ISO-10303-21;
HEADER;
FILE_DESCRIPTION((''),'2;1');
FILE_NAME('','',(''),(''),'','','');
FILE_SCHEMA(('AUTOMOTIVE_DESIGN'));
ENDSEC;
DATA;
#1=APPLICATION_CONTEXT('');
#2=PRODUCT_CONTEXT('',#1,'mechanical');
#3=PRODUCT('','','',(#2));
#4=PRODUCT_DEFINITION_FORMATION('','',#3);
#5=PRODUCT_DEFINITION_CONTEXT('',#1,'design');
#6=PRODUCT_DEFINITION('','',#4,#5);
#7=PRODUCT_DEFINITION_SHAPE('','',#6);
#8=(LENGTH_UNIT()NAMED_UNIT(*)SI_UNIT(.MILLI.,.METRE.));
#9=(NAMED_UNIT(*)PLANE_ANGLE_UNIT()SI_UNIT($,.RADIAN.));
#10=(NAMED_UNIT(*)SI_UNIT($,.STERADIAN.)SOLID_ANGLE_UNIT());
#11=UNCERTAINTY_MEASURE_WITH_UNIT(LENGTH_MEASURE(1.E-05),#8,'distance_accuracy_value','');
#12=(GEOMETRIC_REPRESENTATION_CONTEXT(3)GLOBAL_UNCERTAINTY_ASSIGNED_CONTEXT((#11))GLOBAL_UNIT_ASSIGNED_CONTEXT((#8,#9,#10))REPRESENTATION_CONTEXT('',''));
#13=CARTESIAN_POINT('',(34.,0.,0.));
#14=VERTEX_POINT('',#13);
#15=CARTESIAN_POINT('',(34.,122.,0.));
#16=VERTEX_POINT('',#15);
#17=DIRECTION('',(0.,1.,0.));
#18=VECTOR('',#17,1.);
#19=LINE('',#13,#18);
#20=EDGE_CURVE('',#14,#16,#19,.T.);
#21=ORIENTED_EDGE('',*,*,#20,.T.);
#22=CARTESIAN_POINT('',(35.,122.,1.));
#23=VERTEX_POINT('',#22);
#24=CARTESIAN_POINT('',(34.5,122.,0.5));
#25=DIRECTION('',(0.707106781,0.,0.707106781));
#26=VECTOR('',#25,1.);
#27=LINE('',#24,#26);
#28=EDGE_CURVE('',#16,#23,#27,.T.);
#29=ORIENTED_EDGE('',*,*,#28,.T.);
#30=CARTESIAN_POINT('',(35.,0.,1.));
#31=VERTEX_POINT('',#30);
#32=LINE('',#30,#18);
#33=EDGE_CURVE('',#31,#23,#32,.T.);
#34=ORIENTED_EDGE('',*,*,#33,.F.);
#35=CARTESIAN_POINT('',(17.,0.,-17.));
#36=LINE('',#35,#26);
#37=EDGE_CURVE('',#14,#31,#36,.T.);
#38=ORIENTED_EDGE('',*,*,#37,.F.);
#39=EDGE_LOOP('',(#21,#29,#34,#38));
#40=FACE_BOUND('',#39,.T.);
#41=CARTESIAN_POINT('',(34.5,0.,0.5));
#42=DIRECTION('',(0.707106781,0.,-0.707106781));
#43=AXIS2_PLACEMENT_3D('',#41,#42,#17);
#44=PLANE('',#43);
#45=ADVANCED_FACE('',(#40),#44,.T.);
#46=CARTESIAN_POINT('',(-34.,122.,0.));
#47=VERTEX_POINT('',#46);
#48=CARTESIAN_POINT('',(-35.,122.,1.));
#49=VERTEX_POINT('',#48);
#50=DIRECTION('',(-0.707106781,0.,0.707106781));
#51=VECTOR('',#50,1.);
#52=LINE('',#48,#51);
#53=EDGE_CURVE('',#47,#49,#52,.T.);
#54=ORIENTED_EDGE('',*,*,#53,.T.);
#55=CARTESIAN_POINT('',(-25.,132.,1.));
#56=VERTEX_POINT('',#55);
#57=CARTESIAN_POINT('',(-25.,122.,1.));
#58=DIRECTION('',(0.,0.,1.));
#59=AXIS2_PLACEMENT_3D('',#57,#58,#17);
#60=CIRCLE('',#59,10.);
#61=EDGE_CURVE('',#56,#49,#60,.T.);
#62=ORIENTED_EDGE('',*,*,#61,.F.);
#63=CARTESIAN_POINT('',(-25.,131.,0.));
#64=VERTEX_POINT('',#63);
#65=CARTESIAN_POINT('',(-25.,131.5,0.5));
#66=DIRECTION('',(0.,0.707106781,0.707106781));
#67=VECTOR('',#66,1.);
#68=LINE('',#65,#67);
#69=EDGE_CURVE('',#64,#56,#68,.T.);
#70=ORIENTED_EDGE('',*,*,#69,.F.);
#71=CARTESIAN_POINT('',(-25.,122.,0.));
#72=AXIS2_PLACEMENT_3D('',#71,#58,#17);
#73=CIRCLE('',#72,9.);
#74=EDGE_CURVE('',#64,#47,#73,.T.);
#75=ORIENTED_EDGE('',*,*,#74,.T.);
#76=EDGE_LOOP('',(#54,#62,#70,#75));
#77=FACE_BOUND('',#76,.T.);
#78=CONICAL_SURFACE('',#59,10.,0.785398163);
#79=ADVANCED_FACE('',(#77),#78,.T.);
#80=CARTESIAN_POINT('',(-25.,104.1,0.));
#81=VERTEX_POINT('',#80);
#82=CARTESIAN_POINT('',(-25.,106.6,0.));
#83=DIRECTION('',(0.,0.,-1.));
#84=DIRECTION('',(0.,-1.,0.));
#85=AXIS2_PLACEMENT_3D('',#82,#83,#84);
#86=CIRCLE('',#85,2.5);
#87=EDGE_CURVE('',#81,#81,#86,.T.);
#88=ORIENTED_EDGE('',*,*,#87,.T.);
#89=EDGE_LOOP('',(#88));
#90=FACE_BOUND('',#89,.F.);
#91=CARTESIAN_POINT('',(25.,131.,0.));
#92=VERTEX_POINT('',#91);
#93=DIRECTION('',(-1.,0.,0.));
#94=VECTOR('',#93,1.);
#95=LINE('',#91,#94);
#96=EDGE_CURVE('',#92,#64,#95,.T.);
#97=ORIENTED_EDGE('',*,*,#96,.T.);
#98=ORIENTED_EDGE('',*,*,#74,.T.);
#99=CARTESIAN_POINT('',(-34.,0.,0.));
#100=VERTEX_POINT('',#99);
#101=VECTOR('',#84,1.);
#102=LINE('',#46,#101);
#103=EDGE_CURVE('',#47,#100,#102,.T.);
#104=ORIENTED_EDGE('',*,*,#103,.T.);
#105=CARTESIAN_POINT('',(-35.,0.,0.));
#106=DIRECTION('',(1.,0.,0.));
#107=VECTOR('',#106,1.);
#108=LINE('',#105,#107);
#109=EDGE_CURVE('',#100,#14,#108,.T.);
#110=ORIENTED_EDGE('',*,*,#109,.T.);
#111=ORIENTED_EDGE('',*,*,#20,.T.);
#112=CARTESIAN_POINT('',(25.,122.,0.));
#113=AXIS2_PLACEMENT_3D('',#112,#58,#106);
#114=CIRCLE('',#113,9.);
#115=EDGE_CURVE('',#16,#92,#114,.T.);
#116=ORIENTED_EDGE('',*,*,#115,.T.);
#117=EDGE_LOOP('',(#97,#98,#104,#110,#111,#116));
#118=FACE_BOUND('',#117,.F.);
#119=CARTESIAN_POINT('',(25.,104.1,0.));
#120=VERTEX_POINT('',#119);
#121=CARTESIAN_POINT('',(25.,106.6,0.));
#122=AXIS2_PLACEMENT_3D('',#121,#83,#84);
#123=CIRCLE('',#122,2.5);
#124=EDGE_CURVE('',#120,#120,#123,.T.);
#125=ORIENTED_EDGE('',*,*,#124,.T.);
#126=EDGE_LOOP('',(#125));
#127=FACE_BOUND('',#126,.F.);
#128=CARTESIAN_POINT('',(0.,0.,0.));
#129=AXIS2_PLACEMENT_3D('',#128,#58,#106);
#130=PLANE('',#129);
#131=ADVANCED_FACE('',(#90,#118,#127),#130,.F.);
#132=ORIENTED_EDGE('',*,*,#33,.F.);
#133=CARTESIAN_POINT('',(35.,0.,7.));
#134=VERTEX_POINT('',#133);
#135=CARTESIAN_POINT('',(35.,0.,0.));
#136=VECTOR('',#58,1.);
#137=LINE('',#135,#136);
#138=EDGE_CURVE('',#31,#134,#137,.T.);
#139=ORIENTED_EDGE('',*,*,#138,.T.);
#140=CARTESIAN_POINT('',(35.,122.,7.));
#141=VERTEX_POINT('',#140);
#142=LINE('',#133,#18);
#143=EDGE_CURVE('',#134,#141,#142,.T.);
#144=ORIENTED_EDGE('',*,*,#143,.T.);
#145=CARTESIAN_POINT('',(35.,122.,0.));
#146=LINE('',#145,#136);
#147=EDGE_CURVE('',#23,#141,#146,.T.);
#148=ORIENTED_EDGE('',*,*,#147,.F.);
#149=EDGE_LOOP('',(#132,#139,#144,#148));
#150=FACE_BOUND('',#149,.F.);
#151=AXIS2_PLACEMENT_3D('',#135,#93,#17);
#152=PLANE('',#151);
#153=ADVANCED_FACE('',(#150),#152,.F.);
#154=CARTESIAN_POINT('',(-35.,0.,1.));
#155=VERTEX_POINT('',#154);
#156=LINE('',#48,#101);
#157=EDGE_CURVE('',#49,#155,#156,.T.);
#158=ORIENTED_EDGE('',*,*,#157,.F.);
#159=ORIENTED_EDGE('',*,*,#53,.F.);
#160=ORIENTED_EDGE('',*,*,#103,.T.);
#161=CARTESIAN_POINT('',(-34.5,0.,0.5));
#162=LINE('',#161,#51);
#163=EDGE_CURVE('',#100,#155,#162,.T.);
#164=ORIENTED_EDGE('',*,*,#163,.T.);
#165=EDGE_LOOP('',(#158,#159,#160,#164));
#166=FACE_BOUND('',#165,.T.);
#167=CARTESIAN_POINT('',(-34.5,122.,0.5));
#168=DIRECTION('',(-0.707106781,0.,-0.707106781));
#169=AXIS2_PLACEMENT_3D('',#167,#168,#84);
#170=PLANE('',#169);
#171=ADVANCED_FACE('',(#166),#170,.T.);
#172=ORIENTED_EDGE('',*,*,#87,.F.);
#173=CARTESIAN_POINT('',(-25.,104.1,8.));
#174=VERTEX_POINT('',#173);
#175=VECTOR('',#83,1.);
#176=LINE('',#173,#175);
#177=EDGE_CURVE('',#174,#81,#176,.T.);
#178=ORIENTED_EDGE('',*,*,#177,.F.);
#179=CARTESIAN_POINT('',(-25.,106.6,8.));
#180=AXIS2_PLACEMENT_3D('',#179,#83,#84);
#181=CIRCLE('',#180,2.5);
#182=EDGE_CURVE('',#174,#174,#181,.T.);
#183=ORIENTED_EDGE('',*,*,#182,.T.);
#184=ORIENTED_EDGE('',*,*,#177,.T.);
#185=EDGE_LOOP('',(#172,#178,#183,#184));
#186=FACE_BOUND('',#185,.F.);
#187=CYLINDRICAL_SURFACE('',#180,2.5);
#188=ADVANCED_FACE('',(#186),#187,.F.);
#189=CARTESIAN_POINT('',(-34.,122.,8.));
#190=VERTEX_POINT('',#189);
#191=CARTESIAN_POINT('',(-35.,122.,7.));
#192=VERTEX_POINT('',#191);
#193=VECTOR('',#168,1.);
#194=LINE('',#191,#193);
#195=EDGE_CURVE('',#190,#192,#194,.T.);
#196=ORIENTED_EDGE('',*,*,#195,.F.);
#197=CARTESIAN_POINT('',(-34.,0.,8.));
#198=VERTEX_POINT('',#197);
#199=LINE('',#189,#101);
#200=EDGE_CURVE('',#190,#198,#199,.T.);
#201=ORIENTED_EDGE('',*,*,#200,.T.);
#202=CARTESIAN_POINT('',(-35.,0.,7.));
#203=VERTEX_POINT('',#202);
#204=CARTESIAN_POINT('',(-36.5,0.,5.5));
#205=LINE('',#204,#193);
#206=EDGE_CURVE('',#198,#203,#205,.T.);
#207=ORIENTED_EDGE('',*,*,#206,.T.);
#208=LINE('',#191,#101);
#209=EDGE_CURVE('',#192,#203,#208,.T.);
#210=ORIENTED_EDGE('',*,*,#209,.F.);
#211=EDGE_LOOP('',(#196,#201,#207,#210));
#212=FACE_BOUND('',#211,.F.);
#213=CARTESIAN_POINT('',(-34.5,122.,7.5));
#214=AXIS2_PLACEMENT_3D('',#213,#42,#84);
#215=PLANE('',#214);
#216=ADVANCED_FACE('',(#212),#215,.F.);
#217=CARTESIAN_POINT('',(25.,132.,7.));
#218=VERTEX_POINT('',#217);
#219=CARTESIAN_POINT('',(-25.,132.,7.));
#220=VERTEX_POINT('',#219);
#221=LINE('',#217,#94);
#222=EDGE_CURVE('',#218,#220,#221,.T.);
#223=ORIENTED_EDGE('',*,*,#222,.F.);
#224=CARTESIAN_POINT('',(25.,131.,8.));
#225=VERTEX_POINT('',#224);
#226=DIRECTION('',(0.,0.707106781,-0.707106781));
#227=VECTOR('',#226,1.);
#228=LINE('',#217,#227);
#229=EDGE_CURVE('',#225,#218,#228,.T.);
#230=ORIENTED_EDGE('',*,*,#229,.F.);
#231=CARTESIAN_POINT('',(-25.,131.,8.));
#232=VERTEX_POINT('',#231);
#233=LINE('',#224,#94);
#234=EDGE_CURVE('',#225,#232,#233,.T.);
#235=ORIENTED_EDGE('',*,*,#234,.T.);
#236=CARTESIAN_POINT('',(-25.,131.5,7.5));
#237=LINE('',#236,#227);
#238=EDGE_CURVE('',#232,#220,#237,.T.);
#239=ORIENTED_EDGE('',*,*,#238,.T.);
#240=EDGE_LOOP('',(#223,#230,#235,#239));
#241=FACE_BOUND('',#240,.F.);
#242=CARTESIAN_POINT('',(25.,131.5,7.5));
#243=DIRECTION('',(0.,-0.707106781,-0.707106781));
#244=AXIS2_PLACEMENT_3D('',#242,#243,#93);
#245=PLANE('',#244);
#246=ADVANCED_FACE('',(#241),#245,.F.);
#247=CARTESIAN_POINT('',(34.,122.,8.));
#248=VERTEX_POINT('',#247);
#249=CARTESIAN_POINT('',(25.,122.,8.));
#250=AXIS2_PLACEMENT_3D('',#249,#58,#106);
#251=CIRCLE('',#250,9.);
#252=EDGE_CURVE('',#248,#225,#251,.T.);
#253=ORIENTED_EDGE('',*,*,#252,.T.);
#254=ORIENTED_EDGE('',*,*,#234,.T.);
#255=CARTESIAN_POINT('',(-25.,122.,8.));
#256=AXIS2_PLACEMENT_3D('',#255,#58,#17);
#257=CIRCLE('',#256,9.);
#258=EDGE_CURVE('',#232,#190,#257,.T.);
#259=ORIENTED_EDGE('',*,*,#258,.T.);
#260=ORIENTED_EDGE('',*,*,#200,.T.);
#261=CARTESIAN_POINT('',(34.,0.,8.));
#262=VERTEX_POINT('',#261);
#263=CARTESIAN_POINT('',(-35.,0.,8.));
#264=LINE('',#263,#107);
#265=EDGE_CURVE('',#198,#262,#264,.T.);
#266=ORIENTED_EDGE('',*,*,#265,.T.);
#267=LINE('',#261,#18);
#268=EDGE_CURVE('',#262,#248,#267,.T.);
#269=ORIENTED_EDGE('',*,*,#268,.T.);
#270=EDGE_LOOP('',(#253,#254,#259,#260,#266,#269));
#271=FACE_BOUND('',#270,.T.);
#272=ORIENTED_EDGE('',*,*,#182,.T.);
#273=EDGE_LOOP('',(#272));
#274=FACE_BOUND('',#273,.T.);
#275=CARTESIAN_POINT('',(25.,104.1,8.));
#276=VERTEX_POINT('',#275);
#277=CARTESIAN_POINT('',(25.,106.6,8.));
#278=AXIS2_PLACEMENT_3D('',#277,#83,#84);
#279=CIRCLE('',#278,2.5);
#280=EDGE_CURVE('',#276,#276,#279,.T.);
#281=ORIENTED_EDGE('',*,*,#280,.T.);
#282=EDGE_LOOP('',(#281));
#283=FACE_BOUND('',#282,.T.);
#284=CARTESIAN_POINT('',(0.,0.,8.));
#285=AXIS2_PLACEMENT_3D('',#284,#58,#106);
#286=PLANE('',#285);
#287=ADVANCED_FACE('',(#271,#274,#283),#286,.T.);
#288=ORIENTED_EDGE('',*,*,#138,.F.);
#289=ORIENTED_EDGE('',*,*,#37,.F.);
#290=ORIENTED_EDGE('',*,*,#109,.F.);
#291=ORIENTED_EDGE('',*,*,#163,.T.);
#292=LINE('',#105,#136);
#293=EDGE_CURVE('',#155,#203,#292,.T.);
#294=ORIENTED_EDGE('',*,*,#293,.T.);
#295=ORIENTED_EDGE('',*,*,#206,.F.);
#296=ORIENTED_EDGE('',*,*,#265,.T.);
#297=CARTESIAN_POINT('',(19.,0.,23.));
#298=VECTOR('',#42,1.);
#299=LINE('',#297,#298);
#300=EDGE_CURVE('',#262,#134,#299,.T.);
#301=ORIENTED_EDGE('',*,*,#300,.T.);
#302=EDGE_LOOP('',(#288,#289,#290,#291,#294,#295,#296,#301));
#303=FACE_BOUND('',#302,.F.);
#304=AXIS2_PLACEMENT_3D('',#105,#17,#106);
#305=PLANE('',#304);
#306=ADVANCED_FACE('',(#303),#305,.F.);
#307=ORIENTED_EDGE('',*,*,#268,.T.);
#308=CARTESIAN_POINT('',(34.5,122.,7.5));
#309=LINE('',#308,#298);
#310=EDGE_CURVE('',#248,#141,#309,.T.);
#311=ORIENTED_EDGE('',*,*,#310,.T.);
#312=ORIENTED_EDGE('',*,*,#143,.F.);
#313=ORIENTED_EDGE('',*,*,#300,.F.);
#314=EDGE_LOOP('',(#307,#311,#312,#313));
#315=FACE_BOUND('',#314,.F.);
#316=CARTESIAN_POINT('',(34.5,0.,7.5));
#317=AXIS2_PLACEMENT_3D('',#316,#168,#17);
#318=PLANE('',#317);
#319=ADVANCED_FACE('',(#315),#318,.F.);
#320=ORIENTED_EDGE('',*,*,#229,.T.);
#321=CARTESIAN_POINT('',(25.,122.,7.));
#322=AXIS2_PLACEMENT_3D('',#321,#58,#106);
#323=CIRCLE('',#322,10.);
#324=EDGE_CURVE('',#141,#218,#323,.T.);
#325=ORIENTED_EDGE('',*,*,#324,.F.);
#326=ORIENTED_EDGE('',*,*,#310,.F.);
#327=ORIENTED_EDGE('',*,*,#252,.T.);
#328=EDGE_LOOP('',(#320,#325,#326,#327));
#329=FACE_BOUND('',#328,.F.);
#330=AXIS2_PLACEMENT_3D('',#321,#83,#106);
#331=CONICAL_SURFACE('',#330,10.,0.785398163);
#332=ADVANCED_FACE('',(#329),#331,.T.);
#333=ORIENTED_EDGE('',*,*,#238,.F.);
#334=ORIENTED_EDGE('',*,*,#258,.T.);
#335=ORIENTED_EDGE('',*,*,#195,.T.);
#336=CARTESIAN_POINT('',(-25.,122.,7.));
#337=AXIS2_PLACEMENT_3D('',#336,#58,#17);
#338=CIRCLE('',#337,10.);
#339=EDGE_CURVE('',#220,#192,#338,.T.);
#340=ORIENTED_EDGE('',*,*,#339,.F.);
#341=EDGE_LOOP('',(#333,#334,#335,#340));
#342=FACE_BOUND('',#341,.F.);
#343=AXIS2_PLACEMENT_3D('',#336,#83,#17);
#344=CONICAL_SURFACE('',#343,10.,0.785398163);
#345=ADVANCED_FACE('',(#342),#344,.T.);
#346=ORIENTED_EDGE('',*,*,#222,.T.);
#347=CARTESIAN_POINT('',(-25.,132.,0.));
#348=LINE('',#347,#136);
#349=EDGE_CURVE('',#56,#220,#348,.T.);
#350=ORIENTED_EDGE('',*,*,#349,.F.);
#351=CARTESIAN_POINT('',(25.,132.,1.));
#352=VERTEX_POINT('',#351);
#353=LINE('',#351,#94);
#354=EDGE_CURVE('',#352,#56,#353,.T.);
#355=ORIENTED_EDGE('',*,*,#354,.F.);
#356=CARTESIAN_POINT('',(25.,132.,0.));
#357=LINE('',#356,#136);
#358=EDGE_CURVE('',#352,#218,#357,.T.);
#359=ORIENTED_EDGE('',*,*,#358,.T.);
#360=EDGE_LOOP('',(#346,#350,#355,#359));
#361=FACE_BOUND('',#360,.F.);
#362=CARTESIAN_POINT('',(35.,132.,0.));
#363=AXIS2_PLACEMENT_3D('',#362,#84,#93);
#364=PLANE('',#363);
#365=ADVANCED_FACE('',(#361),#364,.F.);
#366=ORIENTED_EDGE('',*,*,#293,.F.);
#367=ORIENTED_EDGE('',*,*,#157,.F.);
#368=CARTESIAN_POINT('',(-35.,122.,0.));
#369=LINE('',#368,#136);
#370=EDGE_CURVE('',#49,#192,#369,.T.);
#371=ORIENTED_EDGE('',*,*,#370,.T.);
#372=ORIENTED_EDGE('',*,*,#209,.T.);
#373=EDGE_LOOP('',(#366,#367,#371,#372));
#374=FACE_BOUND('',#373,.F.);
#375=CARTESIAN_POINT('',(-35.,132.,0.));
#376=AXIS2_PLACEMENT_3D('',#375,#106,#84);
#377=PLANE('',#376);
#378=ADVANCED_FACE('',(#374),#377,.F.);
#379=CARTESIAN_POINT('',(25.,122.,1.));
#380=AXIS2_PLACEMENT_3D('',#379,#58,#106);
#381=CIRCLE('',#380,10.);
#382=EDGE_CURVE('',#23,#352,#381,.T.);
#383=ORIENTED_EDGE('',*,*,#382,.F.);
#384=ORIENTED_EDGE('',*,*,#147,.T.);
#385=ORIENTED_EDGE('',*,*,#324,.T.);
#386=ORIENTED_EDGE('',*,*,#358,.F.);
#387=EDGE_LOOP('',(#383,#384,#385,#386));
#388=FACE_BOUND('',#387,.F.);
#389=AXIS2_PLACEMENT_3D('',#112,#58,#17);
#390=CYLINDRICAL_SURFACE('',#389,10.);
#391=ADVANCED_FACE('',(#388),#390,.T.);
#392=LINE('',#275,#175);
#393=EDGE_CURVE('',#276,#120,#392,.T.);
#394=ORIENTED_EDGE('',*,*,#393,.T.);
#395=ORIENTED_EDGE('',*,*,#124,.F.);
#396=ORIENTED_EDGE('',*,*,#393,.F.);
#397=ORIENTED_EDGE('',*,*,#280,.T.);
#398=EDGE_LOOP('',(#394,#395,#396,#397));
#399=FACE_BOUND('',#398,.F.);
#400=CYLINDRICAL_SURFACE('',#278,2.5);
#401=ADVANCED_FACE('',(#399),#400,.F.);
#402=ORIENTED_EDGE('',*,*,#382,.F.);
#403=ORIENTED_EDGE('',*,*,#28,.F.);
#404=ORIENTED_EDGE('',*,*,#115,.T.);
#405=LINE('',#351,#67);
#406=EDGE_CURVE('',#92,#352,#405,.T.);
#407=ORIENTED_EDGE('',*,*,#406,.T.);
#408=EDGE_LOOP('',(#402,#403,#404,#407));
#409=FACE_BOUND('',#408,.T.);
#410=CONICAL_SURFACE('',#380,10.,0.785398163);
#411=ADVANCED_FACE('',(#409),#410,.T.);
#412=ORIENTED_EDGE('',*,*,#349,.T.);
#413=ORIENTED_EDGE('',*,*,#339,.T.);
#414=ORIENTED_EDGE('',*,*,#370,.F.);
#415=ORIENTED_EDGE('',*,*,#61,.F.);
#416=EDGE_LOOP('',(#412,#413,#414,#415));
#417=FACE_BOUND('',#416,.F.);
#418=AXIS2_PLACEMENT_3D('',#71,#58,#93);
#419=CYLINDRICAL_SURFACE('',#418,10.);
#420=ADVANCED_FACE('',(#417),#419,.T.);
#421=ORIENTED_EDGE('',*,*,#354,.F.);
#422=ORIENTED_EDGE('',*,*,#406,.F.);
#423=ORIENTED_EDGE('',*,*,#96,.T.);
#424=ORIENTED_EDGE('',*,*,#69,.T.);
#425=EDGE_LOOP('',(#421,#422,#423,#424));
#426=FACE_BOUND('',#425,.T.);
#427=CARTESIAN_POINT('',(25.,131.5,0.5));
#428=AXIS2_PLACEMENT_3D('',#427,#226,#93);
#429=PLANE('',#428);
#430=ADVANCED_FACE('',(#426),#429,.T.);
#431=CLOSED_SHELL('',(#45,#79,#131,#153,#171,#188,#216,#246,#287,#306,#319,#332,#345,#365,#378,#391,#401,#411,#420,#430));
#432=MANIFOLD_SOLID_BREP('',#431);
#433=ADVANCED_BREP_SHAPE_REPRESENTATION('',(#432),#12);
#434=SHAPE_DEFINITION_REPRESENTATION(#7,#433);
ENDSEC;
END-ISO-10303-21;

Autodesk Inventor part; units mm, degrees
ref_plane "YZ Plane" through (0, 0, 0) normal (1, 0, 0) x (0, 1, 0)
ref_plane "XZ Plane" through (0, 0, 0) normal (0, 1, 0) x (-1, 0, 0)
ref_plane "XY Plane" through (0, 0, 0) normal (0, 0, 1) x (1, 0, 0)
sketch "Sketch1" plane through (0, 0, 0) normal (0, 0, 1) x (1, 0, 0)
  line L0 (-35, 0) -> (35, 0)
  line L1 (35, 0) -> (35, 132)
  line L2 (35, 132) -> (-35, 132)
  line L3 (-35, 132) -> (-35, 0)
  point P0 (0, 0)
  dimension "d0" = 70
  dimension "d1" = 35
  dimension "d2" = 132
extrude "Extrusion1" add sketch "Sketch1" along normal blind 8
fillet "Fillet1" radius 10 2 edges at (-35, 132, 4) (35, 132, 4)
sketch "Sketch2" plane through (0, 0, 8) normal (0, 0, 1) x (1, 0, 0)
  line L0 (35, 0) -> (35, 122) projected
  line L1 (-35, 122) -> (-35, 0) projected
  line L2 (25, 132) -> (-25, 132) projected
  line L3 (-35, 0) -> (35, 0) projected
  point P0 (0, 0)
  point P1 (-25, 106.6)
  point P2 (25, 106.6)
  dimension "d6" = 70
  dimension "d9" = 50
  dimension "d10" = 0
  dimension "d11" = 10
  dimension "d13" = 106.6
hole "Hole1" at (-25, 106.6, 8) at (25, 106.6, 8) direction (0, 0, -1) diameter 5 depth 8
chamfer "Chamfer1" distance 1 angle 45 10 edges at (0, 132, 8) (-32.0711, 129.0711, 8) (-35, 61, 8) (32.0711, 129.0711, 8) (35, 61, 8) (0, 132, 0) (-32.0711, 129.0711, 0) (-35, 61, 0) (32.0711, 129.0711, 0) (35, 61, 0)
equation "\"d1\" = 0.5 * d0"
equation "\"d11\" = -0.5 * d9 + 0.5 * d6"
properties part number "motorHolder_stator"
